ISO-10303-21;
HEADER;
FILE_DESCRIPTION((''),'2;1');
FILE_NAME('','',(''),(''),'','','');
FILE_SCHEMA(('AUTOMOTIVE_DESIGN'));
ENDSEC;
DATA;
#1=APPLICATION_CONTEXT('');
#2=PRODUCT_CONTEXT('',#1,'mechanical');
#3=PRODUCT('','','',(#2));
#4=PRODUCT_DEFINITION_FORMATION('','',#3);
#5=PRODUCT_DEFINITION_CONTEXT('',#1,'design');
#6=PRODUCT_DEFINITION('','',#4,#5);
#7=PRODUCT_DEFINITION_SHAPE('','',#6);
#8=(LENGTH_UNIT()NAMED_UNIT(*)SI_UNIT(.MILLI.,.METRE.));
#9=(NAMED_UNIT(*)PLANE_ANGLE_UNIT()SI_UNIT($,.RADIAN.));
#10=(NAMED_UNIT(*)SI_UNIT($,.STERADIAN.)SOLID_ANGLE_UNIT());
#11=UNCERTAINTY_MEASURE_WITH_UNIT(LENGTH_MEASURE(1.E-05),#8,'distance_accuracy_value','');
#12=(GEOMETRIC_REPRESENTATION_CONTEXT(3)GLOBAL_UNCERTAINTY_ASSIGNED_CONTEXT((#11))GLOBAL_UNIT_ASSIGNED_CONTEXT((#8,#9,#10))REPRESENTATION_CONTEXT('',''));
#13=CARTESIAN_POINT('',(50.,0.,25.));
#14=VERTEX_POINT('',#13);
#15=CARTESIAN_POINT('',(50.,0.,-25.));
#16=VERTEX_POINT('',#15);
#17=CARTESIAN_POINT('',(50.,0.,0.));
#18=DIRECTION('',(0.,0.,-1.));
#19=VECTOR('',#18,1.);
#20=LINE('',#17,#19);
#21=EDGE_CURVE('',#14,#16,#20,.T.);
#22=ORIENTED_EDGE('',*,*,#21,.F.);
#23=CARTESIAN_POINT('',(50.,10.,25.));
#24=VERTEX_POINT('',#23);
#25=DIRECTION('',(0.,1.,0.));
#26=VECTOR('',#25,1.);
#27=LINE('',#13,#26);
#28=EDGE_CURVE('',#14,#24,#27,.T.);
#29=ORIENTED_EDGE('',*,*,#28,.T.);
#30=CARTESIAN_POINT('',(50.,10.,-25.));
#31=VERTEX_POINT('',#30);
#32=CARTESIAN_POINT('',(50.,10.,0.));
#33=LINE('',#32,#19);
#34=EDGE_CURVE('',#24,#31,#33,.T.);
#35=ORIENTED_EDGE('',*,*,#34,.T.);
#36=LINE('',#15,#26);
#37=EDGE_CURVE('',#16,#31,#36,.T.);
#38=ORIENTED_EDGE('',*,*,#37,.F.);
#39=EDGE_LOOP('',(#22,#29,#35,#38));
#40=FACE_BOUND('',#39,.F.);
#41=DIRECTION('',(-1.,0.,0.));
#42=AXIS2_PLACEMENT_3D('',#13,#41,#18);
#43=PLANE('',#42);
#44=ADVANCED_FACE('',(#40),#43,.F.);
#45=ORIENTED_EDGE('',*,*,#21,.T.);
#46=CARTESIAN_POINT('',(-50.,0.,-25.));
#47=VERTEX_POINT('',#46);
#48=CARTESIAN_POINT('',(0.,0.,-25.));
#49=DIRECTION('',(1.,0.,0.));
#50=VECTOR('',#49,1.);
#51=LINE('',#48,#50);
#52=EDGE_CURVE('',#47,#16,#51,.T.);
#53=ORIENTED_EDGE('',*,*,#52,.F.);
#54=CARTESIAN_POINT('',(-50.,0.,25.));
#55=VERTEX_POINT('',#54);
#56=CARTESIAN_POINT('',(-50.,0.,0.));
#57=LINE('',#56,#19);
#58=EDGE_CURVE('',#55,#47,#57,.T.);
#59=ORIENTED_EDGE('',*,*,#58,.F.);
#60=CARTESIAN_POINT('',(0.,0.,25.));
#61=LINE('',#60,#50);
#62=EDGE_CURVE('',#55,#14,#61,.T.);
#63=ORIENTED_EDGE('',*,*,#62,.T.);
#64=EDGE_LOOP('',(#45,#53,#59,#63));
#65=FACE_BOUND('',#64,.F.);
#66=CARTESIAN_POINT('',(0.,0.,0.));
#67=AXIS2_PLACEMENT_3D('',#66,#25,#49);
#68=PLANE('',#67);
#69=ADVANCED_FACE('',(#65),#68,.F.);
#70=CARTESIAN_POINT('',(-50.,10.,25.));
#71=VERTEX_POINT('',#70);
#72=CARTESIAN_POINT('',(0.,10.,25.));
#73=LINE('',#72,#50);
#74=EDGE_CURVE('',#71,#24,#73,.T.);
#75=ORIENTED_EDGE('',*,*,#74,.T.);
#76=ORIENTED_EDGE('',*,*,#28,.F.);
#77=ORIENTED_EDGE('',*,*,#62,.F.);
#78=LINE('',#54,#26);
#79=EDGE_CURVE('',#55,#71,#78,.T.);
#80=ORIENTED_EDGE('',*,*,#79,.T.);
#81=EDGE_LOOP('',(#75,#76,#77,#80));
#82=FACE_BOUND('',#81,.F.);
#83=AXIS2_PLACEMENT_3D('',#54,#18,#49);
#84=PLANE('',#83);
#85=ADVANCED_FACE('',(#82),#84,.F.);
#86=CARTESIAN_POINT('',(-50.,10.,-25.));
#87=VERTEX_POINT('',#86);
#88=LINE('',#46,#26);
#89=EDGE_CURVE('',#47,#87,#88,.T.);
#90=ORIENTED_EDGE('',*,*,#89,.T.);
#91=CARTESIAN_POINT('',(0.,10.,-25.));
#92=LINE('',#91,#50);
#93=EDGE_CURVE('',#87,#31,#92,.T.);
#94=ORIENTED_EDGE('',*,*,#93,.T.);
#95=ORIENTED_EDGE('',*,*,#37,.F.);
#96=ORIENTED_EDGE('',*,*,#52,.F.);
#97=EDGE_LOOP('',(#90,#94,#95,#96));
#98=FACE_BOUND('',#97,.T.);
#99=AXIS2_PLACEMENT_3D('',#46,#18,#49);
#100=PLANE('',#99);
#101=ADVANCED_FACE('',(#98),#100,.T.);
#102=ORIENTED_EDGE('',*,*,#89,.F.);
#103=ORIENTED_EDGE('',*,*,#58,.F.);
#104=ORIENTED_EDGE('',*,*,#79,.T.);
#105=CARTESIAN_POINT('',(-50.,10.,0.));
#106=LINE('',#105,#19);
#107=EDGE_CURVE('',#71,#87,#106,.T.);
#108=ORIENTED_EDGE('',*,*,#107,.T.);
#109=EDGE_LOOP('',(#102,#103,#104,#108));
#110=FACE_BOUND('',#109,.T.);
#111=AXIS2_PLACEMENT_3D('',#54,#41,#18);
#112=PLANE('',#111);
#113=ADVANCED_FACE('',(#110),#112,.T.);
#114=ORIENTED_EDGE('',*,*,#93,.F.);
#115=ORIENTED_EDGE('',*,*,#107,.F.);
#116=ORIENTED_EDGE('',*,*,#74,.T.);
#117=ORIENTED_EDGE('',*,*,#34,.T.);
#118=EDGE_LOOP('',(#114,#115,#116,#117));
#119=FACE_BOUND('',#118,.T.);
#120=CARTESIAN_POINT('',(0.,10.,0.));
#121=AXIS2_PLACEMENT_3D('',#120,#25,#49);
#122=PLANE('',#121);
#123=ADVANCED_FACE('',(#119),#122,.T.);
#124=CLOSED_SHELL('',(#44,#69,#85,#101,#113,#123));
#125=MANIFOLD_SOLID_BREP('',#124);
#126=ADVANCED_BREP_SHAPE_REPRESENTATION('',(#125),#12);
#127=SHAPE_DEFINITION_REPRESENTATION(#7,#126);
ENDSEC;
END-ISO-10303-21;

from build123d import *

# Parameters (mm, degrees)
SKETCH_1_W      = 100
SKETCH_1_H      = 50
EXTRUDE_1_DEPTH = 10


with BuildPart() as part:
    # 草图1 → 凸台-拉伸1 (new body)
    with BuildSketch(Plane(origin=(0, 0, 0), x_dir=(1, 0, 0), z_dir=(0, 1, 0))):
        Rectangle(SKETCH_1_W, SKETCH_1_H)
    extrude(amount=EXTRUDE_1_DEPTH)


solid = part.part
